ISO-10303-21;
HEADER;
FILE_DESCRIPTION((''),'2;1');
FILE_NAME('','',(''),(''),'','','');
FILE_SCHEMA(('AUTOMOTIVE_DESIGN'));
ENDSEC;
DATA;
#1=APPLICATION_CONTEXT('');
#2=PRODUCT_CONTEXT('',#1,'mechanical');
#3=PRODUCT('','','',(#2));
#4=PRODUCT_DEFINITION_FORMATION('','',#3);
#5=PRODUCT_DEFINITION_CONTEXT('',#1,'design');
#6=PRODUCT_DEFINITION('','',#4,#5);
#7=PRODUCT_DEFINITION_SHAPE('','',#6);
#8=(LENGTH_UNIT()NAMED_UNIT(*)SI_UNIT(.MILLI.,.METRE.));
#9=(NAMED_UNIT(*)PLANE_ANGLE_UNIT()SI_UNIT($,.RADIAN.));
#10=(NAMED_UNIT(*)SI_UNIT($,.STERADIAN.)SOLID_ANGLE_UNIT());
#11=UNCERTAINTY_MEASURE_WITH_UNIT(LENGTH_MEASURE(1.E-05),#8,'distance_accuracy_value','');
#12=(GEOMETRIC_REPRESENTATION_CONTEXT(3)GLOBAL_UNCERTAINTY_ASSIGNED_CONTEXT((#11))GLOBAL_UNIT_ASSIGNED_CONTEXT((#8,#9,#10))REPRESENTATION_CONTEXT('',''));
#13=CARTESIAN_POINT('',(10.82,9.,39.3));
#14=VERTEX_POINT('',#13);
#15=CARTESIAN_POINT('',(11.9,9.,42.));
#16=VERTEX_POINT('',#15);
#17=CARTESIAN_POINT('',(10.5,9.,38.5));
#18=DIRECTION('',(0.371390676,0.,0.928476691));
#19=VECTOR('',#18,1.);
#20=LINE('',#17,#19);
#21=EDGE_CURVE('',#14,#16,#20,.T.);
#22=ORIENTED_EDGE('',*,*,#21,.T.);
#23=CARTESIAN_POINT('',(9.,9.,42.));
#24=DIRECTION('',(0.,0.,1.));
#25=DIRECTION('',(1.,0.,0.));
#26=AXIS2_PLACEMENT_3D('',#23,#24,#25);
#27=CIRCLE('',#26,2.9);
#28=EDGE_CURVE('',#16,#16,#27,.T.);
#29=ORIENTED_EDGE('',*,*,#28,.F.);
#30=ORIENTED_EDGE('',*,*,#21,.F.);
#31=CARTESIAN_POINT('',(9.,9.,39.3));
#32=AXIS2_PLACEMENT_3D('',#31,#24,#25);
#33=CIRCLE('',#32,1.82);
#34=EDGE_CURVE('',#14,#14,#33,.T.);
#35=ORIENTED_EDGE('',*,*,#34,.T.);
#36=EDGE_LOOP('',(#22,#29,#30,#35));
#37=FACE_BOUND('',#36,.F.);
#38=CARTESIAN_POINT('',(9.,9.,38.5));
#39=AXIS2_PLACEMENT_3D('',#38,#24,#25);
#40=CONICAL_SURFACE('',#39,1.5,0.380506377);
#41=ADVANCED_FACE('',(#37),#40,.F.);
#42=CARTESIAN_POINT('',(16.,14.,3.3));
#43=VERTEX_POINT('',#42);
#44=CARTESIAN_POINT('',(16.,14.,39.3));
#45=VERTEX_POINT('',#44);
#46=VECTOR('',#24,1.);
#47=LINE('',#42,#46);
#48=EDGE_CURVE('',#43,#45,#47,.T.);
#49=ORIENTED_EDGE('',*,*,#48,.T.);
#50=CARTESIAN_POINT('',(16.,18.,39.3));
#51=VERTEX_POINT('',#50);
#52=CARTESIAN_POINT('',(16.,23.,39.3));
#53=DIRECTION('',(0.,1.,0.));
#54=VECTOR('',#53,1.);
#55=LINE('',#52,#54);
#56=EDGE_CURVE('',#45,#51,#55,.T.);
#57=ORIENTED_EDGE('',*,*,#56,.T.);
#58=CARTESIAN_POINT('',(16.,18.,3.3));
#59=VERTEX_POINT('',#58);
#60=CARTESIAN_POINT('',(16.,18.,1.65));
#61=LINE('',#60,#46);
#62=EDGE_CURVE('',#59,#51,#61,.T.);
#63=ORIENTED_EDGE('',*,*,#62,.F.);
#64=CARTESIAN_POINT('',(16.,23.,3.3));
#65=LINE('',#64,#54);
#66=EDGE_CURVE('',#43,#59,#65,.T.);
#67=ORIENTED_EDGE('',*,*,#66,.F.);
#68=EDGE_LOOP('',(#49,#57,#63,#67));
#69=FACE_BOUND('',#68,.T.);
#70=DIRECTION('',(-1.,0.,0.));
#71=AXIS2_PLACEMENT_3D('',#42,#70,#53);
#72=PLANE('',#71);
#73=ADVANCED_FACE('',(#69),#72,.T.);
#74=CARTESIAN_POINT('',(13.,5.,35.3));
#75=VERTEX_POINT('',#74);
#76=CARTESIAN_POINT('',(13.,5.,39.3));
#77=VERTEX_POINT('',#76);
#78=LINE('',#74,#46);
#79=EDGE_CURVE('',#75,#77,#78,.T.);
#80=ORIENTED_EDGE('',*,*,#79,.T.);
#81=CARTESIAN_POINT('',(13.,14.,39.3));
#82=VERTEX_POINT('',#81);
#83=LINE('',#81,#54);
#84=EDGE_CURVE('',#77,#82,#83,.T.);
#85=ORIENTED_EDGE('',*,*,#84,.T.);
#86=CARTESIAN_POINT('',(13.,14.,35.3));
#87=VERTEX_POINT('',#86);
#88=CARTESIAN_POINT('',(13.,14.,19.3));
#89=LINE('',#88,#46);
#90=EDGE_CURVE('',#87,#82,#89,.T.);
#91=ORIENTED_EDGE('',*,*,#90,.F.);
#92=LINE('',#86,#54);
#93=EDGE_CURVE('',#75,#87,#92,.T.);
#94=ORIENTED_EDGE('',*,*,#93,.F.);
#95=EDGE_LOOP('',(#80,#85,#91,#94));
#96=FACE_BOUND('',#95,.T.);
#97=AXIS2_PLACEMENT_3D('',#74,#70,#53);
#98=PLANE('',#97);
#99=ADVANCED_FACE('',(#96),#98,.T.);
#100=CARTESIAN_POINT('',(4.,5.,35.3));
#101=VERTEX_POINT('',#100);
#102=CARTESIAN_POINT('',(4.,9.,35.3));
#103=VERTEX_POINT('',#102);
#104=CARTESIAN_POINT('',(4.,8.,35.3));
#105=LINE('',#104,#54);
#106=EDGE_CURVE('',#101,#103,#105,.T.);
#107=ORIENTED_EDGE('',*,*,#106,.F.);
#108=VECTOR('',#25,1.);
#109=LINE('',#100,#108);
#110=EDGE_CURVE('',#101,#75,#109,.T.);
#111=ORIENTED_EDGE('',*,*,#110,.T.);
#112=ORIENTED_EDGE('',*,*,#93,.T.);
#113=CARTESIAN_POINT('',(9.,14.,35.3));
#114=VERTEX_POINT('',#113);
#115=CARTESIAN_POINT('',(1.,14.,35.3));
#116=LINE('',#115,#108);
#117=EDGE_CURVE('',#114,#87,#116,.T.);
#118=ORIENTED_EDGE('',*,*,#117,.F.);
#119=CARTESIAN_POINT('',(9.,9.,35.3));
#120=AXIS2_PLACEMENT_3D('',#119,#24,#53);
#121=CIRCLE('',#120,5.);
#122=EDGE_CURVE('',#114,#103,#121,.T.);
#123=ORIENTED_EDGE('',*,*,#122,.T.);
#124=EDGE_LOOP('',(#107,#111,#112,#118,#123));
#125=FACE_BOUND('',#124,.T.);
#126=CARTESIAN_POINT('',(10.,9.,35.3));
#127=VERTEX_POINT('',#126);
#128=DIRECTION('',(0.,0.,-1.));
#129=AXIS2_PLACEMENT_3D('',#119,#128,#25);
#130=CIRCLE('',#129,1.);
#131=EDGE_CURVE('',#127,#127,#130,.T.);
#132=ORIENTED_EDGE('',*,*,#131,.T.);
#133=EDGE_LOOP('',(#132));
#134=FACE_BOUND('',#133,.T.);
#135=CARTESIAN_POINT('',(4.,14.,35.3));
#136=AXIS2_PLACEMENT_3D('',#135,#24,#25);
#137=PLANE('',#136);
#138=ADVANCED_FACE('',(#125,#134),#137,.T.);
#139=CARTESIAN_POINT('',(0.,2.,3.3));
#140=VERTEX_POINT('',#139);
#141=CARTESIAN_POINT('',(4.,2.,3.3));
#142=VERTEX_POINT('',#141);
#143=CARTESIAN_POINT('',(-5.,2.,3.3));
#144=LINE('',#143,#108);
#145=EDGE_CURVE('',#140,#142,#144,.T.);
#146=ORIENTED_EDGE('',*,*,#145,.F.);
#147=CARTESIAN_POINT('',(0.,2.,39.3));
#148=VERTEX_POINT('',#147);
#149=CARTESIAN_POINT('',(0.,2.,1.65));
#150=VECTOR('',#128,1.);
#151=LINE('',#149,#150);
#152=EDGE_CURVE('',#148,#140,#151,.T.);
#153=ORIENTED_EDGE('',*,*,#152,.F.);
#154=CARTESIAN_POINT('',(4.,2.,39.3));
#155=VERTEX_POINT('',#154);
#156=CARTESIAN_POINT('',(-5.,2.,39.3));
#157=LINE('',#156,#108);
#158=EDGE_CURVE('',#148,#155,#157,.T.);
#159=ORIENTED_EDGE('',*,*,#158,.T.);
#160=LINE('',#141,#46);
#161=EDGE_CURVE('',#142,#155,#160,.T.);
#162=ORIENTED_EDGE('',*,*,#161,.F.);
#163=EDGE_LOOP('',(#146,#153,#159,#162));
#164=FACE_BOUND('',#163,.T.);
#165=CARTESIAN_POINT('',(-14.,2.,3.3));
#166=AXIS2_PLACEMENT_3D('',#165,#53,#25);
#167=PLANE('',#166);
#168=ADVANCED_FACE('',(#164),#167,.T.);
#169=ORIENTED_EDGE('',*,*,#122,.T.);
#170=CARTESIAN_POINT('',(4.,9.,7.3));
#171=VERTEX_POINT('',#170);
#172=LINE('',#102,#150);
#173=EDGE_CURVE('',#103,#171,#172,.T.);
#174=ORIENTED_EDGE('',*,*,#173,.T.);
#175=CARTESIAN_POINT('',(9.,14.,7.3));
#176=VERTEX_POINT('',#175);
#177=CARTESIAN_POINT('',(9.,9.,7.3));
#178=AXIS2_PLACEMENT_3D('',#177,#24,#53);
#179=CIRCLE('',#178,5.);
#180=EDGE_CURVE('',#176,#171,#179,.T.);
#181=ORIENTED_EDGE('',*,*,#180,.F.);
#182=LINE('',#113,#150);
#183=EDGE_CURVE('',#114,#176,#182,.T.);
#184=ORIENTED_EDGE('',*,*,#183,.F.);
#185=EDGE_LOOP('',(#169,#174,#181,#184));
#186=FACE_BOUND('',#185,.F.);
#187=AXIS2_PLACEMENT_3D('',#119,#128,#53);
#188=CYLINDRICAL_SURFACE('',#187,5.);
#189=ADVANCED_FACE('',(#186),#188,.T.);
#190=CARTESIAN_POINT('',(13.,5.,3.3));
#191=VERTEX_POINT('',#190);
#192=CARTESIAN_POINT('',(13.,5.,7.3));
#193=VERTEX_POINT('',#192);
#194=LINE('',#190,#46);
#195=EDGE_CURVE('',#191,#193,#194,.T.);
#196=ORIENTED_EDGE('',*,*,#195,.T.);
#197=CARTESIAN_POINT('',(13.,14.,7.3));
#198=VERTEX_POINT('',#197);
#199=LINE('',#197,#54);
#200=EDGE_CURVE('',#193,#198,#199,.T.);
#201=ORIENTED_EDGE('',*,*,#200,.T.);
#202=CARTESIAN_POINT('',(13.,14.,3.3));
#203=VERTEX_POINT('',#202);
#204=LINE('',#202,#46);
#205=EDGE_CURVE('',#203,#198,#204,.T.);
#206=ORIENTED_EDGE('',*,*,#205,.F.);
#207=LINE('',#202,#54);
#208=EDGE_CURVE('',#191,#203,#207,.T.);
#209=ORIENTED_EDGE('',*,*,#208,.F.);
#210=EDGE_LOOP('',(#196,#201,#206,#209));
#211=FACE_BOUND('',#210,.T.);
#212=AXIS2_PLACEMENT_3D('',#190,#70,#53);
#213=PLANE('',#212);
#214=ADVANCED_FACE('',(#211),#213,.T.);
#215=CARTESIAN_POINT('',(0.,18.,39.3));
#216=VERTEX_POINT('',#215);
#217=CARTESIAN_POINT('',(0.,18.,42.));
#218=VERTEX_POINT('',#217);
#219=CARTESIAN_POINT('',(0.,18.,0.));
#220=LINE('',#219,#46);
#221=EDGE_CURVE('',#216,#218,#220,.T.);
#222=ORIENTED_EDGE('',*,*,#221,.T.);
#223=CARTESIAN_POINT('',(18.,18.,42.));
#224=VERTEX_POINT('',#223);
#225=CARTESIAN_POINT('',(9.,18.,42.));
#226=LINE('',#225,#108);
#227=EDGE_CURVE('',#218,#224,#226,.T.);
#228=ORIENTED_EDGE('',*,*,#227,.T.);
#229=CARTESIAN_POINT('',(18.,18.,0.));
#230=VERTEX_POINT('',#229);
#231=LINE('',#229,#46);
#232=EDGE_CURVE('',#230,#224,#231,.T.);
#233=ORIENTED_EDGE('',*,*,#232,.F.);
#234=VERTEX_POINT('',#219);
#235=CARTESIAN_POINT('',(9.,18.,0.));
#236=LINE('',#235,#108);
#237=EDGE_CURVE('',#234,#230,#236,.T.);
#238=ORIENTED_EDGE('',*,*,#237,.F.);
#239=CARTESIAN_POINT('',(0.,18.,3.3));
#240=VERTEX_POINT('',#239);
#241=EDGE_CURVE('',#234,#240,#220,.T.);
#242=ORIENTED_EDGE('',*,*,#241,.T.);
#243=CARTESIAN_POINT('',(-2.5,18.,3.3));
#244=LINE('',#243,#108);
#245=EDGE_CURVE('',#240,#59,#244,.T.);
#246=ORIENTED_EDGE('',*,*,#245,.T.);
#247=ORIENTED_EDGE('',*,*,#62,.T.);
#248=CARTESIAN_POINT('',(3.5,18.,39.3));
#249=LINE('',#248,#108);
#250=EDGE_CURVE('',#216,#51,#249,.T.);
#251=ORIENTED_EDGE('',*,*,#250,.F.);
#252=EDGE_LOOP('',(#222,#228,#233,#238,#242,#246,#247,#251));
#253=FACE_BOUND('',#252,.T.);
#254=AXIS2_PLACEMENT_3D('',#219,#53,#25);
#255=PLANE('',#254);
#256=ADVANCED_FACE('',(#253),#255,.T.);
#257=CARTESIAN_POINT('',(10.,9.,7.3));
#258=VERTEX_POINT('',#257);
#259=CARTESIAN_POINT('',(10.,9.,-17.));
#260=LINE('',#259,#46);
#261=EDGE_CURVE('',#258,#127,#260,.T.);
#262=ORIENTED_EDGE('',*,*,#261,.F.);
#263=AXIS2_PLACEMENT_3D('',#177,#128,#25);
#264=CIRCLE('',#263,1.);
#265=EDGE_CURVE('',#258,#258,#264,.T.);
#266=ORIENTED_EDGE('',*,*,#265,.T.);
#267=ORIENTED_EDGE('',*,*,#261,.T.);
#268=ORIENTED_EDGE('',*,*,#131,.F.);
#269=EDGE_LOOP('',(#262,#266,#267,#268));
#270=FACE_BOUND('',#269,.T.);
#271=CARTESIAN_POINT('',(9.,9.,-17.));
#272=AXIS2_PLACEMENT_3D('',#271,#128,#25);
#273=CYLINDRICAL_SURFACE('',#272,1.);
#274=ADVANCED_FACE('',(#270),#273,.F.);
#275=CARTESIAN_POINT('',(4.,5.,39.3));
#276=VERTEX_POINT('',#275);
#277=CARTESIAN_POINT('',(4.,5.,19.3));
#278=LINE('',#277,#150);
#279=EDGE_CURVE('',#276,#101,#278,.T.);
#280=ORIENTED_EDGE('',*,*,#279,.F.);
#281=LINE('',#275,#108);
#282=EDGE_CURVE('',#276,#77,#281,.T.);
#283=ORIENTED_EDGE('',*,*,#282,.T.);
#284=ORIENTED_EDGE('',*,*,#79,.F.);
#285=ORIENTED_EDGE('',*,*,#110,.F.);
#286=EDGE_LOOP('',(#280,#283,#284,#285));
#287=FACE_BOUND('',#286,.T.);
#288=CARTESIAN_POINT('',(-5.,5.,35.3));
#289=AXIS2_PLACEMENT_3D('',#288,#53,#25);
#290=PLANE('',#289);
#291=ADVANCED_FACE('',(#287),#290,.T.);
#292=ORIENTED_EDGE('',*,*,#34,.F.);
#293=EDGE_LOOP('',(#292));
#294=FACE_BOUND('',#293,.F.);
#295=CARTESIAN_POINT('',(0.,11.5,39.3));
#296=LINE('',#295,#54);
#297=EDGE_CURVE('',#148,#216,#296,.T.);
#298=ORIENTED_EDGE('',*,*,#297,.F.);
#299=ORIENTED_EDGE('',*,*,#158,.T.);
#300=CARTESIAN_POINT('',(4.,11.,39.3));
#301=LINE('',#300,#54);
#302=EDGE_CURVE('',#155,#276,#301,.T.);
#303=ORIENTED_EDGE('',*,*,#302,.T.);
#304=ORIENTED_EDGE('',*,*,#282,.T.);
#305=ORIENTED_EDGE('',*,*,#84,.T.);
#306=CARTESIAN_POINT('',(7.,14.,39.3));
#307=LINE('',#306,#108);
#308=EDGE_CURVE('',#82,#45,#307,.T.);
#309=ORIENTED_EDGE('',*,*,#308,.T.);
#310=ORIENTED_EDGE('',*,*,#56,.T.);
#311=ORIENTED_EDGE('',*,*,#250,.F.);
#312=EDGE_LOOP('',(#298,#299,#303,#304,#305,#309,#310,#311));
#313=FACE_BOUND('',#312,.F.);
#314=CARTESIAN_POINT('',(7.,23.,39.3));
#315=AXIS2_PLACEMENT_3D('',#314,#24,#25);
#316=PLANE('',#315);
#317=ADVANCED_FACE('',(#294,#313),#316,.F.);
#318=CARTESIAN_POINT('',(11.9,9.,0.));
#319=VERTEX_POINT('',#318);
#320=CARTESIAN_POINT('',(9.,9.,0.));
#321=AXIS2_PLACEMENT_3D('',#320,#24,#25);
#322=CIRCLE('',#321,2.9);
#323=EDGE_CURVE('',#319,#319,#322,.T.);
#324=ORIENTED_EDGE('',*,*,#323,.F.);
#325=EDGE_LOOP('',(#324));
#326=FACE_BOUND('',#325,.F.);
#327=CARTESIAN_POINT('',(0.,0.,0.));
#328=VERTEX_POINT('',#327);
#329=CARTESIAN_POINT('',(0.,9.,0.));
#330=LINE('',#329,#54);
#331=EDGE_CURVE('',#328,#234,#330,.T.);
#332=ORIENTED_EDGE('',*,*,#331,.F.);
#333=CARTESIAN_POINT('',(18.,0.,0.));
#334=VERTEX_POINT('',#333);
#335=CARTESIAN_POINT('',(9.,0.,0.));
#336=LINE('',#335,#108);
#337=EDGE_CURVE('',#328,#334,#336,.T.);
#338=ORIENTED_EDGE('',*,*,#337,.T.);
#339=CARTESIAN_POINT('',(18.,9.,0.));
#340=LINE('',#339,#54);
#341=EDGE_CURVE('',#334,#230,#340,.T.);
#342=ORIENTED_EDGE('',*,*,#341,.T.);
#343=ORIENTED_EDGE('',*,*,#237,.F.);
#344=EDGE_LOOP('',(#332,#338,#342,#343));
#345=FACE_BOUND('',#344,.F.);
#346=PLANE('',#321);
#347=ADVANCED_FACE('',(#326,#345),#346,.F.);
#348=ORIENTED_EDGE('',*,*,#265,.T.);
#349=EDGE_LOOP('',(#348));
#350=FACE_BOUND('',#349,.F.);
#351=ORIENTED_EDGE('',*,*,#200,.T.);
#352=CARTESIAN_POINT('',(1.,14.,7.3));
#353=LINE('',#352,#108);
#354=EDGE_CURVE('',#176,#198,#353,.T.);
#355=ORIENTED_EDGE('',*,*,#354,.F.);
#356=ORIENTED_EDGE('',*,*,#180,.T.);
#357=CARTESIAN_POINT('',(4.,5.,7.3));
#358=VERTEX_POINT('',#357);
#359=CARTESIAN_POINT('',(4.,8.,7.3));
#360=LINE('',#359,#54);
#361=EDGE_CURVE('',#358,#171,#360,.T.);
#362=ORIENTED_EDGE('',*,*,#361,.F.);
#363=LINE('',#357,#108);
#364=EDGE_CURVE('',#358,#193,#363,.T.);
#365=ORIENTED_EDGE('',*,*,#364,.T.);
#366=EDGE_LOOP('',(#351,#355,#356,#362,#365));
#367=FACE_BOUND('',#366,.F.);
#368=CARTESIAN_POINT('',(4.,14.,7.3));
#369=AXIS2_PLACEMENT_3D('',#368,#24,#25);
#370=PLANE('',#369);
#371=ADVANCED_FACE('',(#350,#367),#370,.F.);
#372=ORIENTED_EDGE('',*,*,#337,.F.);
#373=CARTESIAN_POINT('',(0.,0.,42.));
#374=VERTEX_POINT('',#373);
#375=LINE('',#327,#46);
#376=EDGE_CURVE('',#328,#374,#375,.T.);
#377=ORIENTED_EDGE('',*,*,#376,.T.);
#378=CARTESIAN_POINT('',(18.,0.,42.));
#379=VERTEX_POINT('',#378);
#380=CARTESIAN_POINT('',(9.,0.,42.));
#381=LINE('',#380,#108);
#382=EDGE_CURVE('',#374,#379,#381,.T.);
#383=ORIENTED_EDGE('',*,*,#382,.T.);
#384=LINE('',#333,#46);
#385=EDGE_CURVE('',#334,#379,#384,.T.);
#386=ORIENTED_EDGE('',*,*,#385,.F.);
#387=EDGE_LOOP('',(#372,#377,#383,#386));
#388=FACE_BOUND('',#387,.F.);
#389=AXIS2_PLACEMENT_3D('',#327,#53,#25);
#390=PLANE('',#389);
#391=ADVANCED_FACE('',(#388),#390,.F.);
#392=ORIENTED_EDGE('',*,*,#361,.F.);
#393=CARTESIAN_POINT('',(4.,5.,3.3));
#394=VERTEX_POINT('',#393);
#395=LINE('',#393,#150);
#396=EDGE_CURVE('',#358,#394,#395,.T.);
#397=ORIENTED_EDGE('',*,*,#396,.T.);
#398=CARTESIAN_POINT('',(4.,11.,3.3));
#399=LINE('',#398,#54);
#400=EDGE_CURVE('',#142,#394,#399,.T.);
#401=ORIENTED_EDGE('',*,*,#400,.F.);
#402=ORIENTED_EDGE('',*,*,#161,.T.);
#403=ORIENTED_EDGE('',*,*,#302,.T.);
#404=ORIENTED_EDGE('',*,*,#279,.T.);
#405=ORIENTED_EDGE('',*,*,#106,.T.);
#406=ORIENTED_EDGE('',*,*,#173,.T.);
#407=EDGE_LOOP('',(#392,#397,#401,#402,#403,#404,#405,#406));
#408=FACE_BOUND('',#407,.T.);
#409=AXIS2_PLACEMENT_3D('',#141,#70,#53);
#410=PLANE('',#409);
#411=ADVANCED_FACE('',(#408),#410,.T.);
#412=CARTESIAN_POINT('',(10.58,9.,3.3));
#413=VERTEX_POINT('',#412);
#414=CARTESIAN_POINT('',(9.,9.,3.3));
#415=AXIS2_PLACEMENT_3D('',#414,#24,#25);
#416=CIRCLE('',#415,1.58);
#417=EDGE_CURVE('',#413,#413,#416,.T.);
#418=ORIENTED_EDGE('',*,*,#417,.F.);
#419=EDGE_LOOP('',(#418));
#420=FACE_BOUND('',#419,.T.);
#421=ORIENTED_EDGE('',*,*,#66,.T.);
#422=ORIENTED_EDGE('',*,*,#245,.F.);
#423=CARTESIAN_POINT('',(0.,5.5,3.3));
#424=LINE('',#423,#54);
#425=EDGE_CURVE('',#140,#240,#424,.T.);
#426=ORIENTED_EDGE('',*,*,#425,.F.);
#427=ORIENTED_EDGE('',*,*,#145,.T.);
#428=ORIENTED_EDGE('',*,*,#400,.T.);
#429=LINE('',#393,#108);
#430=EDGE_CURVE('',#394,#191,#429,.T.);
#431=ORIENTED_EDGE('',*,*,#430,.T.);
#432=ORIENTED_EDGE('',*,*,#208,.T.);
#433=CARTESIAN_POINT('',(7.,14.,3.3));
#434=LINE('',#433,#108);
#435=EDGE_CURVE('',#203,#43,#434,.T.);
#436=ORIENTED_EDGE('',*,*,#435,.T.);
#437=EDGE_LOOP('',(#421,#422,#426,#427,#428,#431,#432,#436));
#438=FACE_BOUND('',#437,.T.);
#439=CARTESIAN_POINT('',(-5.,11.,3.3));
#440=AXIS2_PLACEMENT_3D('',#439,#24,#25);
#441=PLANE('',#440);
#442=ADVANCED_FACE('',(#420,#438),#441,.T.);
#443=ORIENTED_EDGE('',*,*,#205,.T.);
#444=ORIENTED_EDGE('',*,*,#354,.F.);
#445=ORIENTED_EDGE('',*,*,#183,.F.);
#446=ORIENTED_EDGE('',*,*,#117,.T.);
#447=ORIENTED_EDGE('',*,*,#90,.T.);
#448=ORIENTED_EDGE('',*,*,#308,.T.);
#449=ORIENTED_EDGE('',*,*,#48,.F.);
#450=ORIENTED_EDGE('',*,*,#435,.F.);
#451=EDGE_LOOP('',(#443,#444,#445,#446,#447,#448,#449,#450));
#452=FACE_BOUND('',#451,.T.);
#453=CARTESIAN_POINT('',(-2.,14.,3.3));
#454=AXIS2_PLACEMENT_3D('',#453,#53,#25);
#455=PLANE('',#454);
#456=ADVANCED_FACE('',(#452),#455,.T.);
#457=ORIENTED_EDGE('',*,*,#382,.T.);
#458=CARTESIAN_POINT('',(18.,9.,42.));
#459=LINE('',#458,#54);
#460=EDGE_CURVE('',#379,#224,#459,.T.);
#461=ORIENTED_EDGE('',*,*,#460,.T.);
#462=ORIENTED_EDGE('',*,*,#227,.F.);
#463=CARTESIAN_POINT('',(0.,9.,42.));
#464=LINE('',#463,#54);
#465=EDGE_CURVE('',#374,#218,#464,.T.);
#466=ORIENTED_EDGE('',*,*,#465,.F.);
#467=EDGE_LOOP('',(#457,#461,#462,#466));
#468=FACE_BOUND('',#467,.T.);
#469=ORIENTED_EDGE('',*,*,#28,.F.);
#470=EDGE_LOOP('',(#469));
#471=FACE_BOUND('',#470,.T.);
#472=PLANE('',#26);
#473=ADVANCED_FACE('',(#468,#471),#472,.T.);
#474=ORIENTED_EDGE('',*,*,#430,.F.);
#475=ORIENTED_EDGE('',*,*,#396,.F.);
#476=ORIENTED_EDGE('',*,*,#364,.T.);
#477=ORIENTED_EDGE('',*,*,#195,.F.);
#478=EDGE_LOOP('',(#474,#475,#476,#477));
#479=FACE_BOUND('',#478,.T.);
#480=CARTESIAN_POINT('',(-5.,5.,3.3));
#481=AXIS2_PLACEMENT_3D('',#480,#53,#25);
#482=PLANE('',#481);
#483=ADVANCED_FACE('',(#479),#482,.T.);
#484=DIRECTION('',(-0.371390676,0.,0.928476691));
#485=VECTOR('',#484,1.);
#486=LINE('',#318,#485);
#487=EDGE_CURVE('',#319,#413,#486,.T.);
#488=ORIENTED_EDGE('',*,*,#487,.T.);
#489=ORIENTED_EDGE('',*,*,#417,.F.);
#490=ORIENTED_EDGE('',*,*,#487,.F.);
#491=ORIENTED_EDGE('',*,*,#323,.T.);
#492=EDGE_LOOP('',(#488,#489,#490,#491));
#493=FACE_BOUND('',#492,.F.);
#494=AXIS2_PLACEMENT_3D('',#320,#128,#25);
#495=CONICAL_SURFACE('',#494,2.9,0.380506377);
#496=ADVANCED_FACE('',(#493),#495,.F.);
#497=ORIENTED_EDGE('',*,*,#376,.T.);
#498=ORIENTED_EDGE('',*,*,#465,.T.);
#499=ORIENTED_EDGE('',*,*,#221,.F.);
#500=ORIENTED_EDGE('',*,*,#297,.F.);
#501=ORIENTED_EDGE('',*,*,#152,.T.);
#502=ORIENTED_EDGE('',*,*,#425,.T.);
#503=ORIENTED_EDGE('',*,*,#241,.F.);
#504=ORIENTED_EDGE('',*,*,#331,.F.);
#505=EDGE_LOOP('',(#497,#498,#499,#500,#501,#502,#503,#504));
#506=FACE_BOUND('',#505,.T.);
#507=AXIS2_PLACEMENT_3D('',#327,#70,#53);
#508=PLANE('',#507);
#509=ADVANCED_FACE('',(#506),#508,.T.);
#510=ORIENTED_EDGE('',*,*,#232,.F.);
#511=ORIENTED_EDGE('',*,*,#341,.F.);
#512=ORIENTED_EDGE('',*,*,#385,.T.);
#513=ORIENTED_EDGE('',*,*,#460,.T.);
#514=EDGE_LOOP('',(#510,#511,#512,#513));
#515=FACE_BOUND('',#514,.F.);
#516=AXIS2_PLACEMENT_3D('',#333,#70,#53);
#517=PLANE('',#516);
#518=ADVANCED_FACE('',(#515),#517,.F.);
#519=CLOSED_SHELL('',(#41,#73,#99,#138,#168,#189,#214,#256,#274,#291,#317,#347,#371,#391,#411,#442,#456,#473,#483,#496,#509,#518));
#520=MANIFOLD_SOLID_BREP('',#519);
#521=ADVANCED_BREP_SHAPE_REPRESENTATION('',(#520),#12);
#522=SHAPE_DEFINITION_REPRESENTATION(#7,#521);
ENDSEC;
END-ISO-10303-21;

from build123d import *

# Parameters (mm, degrees)
BOX013_W          = 18
BOX013_H          = 18
BOX013_DEPTH      = 36
CYLINDER006_R     = 1
CYLINDER006_DEPTH = 70
BOX011_W          = 18
BOX011_H          = 18
BOX011_DEPTH      = 4
ARRAY005_Z_COUNT  = 2
ARRAY005_Z_PITCH  = 32
BOX012_W          = 18
BOX012_H          = 18
BOX012_DEPTH      = 36
BOX010_W          = 18
BOX010_H          = 18
BOX010_DEPTH      = 42
FILLET_R          = 5


with BuildPart() as cube013:
    # Box013 → Box013 (new body)
    with BuildSketch(Plane(origin=(-2, 14, 3.3), x_dir=(1, 0, 0), z_dir=(0, 0, 1))):
        with Locations((9, 9)):
            Rectangle(BOX013_W, BOX013_H)
    extrude(amount=BOX013_DEPTH)


with BuildPart() as cylinder006:
    # Cylinder006 → Cylinder006 (new body)
    with BuildSketch(Plane(origin=(9, 9, -17), x_dir=(1, 0, 0), z_dir=(0, 0, 1))):
        Circle(CYLINDER006_R)
    extrude(amount=CYLINDER006_DEPTH)


with BuildPart() as array005:
    # Box011 → Box011 (new body)
    with BuildSketch(Plane(origin=(-5, 5, 3.3), x_dir=(1, 0, 0), z_dir=(0, 0, 1))):
        with Locations((9, 9)):
            Rectangle(BOX011_W, BOX011_H)
    extrude(amount=BOX011_DEPTH)

    # Array005 Z: Array005 ×2


with BuildPart() as array005_1:
    add(array005.part)
    with Locations(*[(0, 0, i * ARRAY005_Z_PITCH) for i in range(1, ARRAY005_Z_COUNT)]):
        add(array005.part)


with BuildPart() as cone:
    # Cone → Cone (revolve)
    with BuildSketch(Plane(origin=(9, 9, 0), x_dir=(1, 0, 0), z_dir=(0, -1, 0))):
        Polygon((0, 0), (2.9, 0), (1.5, 3.5), (0, 3.5), align=None)
    revolve(axis=Axis((9, 9, 0), (0, 0, 1)))


with BuildPart() as cone001:
    # Cone001 → Cone001 (revolve)
    with BuildSketch(Plane(origin=(9, 9, 38.5), x_dir=(1, 0, 0), z_dir=(0, -1, 0))):
        Polygon((0, 0), (1.5, 0), (2.9, 3.5), (0, 3.5), align=None)
    revolve(axis=Axis((9, 9, 38.5), (0, 0, 1)))


with BuildPart() as fusion003:
    # Box012 → Box012 (new body)
    with BuildSketch(Plane(origin=(-14, 2, 3.3), x_dir=(1, 0, 0), z_dir=(0, 0, 1))):
        with Locations((9, 9)):
            Rectangle(BOX012_W, BOX012_H)
    extrude(amount=BOX012_DEPTH)

    # Fusion003: union Cube013, Cylinder006, Array005, Cone, Cone001
    add(cube013.part)
    add(cylinder006.part)
    add(array005_1.part)
    add(cone.part)
    add(cone001.part)


with BuildPart() as corner_clone:
    # Box010 → Box010 (new body)
    with BuildSketch(Plane.XY):
        with Locations((9, 9)):
            Rectangle(BOX010_W, BOX010_H)
    extrude(amount=BOX010_DEPTH)

    # Cut005: cut Fusion003
    add(fusion003.part, mode=Mode.SUBTRACT)

    # Fillet
    fillet_edges = [corner_clone.edges().sort_by_distance(p)[0] for p in [
        (4, 14, 21.3),
    ]]
    fillet(fillet_edges, radius=FILLET_R)


solid = corner_clone.part
